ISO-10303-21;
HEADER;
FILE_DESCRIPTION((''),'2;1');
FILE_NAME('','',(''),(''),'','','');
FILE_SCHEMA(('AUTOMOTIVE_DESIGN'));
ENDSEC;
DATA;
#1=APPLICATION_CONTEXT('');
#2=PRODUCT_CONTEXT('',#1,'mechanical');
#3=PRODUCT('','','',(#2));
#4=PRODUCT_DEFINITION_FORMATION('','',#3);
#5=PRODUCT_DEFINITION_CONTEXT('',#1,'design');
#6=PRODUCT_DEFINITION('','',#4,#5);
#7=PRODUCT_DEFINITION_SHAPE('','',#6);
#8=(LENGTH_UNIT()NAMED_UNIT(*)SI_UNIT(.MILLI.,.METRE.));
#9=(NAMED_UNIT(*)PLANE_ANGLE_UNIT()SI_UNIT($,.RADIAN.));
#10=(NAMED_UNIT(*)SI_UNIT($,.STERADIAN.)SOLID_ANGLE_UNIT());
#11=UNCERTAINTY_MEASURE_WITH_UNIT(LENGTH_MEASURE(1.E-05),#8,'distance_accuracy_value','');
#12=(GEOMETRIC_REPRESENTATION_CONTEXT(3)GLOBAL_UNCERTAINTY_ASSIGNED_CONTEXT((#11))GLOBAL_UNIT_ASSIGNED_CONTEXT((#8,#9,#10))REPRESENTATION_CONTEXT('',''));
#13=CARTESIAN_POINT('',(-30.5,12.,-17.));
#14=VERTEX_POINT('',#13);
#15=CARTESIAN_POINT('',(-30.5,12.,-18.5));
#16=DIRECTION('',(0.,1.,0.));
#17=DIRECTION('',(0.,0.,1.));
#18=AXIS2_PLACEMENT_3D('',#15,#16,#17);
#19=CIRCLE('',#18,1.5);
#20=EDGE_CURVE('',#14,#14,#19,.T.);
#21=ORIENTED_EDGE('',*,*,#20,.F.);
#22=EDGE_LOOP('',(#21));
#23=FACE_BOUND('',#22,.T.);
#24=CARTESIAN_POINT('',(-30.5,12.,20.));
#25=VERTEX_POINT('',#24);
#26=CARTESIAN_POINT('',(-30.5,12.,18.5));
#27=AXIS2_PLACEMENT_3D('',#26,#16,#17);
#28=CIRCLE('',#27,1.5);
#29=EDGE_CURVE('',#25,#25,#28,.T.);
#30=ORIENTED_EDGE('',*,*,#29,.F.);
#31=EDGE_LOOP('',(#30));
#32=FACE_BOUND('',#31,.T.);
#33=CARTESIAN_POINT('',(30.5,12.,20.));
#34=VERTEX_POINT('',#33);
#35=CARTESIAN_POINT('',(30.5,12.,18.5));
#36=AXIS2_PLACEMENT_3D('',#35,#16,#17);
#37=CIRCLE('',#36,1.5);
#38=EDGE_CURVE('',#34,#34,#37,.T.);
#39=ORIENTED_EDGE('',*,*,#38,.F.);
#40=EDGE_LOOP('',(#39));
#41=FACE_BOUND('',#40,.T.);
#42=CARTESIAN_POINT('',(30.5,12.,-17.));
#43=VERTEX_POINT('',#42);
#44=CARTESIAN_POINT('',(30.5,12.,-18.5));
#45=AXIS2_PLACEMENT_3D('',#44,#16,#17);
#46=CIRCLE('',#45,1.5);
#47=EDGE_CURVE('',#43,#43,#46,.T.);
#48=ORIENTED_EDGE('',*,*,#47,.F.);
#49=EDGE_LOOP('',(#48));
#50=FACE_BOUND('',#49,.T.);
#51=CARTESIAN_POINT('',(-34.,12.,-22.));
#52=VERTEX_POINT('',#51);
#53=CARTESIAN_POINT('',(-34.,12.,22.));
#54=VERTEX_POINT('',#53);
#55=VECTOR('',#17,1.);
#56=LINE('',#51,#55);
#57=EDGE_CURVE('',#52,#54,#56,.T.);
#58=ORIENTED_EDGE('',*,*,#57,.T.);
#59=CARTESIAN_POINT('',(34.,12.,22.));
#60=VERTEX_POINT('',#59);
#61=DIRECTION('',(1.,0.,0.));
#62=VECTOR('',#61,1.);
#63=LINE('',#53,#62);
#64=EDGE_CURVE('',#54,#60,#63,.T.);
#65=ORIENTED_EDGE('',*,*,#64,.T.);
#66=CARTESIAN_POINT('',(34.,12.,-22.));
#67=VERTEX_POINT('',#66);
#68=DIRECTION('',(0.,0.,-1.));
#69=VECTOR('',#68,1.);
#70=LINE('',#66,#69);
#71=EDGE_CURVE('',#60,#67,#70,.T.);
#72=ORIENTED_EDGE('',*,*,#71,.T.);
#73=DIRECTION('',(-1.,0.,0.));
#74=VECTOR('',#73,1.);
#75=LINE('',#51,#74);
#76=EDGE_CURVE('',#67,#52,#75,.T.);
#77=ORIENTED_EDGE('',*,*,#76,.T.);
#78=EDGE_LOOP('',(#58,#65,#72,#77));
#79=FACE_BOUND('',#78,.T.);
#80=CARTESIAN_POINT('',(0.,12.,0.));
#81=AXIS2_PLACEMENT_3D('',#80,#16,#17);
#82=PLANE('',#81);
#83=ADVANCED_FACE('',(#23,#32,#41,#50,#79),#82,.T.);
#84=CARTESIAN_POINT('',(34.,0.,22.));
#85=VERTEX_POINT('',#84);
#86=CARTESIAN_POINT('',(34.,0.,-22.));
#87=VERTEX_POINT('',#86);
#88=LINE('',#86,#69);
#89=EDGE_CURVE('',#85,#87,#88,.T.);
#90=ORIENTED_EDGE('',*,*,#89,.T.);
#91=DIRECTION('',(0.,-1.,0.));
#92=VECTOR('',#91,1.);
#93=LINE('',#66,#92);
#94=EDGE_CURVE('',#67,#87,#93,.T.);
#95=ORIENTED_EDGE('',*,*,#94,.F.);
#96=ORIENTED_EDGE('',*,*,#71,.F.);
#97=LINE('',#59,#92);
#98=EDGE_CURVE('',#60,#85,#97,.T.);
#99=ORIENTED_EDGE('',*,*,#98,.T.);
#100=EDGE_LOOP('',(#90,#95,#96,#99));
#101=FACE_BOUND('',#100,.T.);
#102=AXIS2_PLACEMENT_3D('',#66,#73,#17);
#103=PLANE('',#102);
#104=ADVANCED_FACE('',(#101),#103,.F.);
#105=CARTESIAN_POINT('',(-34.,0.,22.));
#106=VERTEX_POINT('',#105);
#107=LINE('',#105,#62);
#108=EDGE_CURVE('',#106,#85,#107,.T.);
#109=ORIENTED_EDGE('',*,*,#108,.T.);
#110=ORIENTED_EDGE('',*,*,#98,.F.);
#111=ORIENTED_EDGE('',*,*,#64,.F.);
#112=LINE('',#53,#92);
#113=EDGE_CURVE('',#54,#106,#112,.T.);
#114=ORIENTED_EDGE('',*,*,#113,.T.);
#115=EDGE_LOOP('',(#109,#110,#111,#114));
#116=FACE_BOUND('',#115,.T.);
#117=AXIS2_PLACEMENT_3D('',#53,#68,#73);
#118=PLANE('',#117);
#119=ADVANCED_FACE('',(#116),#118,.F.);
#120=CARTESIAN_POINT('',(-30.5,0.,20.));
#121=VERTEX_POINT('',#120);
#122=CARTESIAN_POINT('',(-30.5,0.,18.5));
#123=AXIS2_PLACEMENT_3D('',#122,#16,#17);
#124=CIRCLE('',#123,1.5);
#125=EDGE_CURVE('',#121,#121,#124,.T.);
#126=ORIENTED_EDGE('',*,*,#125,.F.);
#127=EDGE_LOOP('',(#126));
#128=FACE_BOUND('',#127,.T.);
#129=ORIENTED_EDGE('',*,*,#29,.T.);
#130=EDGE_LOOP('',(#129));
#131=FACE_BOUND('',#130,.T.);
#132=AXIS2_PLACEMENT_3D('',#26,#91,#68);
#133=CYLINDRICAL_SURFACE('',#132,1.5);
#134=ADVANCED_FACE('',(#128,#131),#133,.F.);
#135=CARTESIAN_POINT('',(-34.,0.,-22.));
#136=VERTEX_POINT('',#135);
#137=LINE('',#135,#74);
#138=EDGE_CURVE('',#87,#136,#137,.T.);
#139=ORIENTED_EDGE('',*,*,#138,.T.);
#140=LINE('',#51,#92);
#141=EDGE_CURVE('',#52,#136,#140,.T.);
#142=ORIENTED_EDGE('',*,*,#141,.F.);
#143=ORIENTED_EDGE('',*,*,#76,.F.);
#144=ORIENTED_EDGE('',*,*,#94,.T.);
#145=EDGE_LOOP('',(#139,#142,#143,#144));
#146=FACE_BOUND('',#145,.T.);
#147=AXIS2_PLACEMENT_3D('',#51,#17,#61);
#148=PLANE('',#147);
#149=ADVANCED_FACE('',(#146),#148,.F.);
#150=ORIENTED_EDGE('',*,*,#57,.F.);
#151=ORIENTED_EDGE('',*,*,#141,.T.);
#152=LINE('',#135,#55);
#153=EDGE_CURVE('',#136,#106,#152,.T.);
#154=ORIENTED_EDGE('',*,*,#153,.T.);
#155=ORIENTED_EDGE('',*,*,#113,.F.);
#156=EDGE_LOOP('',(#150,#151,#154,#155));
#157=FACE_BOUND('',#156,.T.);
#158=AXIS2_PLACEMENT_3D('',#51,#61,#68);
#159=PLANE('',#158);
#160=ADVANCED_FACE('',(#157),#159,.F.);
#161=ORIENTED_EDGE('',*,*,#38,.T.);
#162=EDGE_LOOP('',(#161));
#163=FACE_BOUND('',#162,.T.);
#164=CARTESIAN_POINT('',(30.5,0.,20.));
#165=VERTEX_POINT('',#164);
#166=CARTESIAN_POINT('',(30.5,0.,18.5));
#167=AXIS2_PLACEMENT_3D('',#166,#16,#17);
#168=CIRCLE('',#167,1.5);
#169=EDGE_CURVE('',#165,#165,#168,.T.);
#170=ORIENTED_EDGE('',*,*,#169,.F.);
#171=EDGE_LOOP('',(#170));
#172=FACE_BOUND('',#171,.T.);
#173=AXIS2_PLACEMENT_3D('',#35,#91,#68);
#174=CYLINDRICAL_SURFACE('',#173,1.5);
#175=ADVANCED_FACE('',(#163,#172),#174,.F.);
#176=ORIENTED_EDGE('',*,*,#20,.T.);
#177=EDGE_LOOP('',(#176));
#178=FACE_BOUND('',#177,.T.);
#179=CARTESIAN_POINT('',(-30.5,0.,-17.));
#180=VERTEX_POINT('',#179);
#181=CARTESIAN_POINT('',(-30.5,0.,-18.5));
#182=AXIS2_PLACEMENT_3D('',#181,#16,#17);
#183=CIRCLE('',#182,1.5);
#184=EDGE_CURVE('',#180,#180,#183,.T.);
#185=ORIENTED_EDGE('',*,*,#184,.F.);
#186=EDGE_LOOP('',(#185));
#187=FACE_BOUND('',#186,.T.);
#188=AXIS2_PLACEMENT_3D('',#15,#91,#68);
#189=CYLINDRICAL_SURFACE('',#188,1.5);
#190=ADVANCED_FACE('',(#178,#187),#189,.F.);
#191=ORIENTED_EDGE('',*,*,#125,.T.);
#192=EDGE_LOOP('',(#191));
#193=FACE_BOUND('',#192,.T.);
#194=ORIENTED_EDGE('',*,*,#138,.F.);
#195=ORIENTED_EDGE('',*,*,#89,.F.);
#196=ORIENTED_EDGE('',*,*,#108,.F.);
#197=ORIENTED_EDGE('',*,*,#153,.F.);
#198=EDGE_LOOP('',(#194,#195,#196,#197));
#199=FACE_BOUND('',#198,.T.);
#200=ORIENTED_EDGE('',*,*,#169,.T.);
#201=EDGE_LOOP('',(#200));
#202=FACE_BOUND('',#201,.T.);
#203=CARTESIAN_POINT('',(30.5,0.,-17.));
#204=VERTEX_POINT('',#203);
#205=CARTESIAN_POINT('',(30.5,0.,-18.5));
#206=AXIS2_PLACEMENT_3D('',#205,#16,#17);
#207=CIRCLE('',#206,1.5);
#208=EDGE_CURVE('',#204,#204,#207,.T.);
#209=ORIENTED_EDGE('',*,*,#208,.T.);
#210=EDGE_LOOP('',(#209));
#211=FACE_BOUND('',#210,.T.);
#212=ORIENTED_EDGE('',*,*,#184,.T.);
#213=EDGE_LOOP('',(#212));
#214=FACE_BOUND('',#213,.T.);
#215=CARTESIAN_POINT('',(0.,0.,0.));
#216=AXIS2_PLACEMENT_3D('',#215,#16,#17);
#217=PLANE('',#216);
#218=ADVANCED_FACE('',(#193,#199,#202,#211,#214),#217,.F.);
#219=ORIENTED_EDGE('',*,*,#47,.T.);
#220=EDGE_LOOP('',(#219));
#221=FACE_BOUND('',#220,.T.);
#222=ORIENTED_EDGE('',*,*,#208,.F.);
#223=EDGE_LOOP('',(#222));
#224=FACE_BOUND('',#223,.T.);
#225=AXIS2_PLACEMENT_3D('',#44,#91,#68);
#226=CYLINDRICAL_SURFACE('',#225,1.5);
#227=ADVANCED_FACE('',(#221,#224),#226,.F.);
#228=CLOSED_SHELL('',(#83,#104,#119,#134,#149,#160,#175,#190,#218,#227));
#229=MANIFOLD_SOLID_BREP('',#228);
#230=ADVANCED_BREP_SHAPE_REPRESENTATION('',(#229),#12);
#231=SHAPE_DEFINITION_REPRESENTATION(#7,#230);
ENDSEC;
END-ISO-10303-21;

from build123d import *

# Parameters (mm, degrees)
SKETCH_1_W      = 68
SKETCH_1_H      = 44
SKETCH_1_R      = 1.5
EXTRUDE_1_DEPTH = 12


with BuildPart() as part:
    # 草图1 → 凸台-拉伸1 (new body)
    with BuildSketch(Plane(origin=(0, 0, 0), x_dir=(1, 0, 0), z_dir=(0, 1, 0))):
        Rectangle(SKETCH_1_W, SKETCH_1_H)
        with Locations(Location((-30.5, 18.5, 0), (0, 0, 270))):
            Circle(SKETCH_1_R, mode=Mode.SUBTRACT)
        with Locations(Location((-30.5, -18.5, 0), (0, 0, 270))):
            Circle(SKETCH_1_R, mode=Mode.SUBTRACT)
        with Locations(Location((30.5, -18.5, 0), (0, 0, 270))):
            Circle(SKETCH_1_R, mode=Mode.SUBTRACT)
        with Locations(Location((30.5, 18.5, 0), (0, 0, 270))):
            Circle(SKETCH_1_R, mode=Mode.SUBTRACT)
    extrude(amount=EXTRUDE_1_DEPTH)


solid = part.part
